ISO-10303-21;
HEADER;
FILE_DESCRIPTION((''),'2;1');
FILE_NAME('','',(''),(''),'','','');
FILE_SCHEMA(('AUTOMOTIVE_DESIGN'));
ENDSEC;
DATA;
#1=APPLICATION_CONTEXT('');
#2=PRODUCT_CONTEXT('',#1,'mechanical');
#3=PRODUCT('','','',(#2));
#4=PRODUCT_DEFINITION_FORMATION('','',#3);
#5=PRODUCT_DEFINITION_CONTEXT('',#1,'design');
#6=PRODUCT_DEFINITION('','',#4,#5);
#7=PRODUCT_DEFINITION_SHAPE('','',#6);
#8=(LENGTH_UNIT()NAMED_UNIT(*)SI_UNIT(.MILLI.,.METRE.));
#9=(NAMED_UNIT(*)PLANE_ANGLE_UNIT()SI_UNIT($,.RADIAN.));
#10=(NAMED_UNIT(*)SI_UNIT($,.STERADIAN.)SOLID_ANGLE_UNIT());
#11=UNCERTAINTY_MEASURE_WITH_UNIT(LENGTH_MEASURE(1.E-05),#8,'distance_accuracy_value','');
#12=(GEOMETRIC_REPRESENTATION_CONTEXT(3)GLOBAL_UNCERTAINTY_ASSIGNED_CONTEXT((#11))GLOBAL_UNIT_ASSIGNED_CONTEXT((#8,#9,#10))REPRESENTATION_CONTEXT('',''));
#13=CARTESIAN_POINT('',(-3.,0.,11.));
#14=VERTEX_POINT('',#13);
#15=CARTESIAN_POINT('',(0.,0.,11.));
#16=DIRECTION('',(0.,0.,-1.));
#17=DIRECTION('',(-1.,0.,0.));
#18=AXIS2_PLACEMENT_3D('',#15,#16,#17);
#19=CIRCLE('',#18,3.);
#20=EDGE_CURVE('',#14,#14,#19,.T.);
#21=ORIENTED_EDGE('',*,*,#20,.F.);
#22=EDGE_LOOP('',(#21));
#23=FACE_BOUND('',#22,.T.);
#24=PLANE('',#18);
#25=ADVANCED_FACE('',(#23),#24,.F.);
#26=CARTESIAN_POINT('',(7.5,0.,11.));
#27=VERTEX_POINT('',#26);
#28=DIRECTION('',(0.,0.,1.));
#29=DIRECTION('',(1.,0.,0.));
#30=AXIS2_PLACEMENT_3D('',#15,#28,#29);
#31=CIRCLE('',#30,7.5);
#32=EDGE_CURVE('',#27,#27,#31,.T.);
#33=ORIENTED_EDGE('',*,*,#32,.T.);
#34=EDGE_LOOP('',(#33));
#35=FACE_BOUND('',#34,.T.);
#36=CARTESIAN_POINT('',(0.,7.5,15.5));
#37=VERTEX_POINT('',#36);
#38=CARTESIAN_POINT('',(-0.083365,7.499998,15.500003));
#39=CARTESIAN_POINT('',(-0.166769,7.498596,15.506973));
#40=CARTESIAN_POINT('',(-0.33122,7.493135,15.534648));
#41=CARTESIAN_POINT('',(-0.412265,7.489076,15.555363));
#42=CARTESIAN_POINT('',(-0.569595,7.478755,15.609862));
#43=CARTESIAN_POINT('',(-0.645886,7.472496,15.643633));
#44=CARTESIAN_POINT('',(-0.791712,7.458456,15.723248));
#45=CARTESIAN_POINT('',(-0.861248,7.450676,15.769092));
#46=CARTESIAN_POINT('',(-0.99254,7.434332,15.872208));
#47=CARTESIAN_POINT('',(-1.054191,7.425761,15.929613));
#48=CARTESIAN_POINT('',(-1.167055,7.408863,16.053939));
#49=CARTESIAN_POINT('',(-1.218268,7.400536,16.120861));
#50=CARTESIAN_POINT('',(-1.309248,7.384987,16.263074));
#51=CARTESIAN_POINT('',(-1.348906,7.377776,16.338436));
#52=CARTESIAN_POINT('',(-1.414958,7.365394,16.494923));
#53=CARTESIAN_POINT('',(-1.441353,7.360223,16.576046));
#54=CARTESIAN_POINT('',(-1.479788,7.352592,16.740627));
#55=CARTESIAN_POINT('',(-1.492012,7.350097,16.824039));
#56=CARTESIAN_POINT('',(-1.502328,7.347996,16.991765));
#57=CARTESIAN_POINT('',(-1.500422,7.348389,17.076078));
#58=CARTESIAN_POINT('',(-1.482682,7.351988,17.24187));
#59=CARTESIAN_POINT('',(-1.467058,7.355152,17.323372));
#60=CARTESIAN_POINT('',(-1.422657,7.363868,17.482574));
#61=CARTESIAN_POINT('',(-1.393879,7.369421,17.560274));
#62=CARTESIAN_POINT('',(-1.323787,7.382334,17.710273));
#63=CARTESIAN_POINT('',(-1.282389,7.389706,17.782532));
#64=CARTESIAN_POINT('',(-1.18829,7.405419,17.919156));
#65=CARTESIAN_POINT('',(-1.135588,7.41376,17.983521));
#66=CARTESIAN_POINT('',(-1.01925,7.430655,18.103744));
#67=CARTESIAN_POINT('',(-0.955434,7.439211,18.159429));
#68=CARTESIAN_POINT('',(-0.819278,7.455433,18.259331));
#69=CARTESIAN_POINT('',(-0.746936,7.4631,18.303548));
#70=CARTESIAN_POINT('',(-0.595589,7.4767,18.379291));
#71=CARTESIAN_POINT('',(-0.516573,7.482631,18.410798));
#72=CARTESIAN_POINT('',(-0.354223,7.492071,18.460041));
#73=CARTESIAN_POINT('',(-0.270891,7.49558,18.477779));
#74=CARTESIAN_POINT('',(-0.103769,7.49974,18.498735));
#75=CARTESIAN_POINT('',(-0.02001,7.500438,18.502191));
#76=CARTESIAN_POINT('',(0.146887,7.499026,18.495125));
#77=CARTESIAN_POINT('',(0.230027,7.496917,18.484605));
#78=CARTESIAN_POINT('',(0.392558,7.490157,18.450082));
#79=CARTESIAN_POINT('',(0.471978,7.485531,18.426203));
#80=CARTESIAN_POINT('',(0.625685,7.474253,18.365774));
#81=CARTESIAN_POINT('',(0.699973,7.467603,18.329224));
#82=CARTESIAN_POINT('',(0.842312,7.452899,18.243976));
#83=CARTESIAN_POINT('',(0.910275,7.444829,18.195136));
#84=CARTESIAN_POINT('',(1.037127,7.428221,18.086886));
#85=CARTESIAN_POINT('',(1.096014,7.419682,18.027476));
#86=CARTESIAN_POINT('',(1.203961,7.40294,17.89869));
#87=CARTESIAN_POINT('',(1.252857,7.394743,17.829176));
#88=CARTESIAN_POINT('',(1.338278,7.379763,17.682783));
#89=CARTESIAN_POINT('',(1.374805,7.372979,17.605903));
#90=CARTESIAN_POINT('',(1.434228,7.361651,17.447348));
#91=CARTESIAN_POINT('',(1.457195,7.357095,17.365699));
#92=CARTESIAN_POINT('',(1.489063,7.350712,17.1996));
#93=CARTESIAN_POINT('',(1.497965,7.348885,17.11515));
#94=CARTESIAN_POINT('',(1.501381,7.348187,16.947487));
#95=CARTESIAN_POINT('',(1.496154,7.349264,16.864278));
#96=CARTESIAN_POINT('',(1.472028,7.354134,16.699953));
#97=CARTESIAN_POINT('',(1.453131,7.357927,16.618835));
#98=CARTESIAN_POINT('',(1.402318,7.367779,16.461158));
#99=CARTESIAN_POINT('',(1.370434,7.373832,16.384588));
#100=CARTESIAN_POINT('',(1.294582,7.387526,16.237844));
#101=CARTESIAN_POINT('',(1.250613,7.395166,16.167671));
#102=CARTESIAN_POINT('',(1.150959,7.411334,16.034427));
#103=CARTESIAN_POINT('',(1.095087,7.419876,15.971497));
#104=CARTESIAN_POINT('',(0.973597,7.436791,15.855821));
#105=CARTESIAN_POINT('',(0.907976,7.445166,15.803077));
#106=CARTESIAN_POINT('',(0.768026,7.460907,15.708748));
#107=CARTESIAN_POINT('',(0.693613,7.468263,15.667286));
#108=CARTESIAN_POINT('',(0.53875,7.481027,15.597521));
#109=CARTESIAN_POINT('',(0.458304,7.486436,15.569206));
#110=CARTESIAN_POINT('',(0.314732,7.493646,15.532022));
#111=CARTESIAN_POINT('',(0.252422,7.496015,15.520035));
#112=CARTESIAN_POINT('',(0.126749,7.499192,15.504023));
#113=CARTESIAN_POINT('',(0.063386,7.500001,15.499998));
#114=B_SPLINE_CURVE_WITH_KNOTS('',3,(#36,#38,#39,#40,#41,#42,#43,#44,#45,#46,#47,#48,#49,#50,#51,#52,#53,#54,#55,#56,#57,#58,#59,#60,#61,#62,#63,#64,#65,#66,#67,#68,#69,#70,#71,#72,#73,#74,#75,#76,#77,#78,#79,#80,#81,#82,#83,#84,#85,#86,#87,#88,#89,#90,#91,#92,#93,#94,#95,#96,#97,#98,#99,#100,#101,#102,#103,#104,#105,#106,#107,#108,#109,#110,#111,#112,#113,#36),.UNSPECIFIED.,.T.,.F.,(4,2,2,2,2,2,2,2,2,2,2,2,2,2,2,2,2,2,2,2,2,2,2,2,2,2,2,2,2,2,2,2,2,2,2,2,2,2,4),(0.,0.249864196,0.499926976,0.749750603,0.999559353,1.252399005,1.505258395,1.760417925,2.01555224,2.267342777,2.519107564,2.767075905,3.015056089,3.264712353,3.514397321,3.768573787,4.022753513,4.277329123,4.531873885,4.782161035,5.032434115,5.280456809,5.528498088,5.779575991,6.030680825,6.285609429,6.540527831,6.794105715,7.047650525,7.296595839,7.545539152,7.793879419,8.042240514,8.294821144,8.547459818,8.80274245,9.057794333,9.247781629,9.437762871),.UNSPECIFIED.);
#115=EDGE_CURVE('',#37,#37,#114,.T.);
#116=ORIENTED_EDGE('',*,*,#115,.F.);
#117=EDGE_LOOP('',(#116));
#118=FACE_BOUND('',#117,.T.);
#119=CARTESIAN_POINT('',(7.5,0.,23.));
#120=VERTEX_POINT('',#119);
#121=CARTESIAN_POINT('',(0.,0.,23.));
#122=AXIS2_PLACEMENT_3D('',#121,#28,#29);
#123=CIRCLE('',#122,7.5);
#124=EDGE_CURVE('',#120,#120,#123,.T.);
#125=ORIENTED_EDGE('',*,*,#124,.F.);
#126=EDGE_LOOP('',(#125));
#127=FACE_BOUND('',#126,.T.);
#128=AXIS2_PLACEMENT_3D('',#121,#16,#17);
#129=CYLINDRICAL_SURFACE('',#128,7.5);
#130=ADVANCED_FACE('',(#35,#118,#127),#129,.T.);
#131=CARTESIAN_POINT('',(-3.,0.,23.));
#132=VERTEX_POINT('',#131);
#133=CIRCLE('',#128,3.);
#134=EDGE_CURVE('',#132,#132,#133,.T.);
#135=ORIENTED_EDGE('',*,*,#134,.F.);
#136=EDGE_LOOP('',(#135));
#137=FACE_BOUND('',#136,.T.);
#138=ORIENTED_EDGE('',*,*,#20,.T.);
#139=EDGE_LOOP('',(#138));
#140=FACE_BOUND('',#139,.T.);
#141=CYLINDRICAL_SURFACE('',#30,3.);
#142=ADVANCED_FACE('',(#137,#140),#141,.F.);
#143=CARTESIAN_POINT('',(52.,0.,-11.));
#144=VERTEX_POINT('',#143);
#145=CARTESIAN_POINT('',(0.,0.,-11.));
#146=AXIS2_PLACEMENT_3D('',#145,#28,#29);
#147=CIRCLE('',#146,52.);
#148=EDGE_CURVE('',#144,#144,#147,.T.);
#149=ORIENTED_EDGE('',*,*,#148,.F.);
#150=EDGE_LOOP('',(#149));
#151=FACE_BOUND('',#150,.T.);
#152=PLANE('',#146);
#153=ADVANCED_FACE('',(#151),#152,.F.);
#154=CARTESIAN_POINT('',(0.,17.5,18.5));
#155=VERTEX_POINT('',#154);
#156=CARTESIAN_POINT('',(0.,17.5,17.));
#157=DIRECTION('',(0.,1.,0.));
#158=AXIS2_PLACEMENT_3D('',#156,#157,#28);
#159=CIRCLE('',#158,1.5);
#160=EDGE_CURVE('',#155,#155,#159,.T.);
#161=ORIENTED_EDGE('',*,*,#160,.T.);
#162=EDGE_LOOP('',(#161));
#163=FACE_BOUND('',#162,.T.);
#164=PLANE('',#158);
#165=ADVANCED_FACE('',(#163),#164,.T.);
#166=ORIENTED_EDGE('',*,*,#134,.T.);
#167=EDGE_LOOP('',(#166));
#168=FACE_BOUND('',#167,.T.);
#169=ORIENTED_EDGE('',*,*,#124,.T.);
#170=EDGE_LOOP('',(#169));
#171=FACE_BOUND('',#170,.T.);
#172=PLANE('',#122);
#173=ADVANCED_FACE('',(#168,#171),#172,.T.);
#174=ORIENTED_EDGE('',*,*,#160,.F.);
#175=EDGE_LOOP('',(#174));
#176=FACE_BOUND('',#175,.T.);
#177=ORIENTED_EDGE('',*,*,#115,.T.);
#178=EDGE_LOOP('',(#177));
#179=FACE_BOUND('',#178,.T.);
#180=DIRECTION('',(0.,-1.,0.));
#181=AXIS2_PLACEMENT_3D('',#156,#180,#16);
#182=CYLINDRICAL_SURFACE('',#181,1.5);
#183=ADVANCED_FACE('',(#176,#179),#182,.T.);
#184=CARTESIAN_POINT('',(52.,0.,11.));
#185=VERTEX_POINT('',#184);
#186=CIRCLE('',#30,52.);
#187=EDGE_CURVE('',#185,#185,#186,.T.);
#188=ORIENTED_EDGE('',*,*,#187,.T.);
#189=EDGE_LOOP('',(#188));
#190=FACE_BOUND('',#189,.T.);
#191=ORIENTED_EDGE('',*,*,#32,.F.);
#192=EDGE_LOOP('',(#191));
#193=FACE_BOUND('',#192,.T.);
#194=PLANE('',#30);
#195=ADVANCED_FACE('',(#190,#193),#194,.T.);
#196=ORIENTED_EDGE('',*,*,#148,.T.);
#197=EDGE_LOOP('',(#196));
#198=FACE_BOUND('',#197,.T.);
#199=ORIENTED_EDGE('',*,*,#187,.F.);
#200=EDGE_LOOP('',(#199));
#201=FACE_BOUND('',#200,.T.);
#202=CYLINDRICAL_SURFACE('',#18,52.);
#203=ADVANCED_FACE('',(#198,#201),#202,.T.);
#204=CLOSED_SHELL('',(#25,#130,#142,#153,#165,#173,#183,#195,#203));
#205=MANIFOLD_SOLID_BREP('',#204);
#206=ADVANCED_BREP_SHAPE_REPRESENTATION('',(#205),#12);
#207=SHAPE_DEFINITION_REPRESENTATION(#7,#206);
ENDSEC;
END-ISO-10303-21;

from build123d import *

# Parameters (mm, degrees)
SKETCH1_R           = 52
BOSS_EXTRUDE1_DEPTH = 11
SKETCH2_R           = 7.5
BOSS_EXTRUDE2_DEPTH = 12
SKETCH3_R           = 1.5
BOSS_EXTRUDE3_DEPTH = 17.5
SKETCH4_R           = 3
CUT_EXTRUDE3_DEPTH  = 12


with BuildPart() as part:
    # Sketch1 → Boss-Extrude1 (new, symmetric)
    with BuildSketch(Plane.XY):
        Circle(SKETCH1_R)
    extrude(amount=BOSS_EXTRUDE1_DEPTH, both=True)

    # Sketch2 → Boss-Extrude2 (add)
    with BuildSketch(Plane.XY.offset(11)):
        Circle(SKETCH2_R)
    extrude(amount=BOSS_EXTRUDE2_DEPTH)

    # Sketch3 → Boss-Extrude3 (add)
    with BuildSketch(Plane(origin=(0, 0, 0), x_dir=(1, 0, 0), z_dir=(0, 1, 0))):
        with Locations(Location((0, -17, 0), (0, 0, 90))):
            Circle(SKETCH3_R)
    extrude(amount=BOSS_EXTRUDE3_DEPTH)

    # Sketch4 → Cut-Extrude3 (cut)
    with BuildSketch(Plane(origin=(0, 0, 23), x_dir=(-1, 0, 0), z_dir=(0, 0, -1))):
        Circle(SKETCH4_R)
    extrude(amount=CUT_EXTRUDE3_DEPTH, mode=Mode.SUBTRACT)


solid = part.part
